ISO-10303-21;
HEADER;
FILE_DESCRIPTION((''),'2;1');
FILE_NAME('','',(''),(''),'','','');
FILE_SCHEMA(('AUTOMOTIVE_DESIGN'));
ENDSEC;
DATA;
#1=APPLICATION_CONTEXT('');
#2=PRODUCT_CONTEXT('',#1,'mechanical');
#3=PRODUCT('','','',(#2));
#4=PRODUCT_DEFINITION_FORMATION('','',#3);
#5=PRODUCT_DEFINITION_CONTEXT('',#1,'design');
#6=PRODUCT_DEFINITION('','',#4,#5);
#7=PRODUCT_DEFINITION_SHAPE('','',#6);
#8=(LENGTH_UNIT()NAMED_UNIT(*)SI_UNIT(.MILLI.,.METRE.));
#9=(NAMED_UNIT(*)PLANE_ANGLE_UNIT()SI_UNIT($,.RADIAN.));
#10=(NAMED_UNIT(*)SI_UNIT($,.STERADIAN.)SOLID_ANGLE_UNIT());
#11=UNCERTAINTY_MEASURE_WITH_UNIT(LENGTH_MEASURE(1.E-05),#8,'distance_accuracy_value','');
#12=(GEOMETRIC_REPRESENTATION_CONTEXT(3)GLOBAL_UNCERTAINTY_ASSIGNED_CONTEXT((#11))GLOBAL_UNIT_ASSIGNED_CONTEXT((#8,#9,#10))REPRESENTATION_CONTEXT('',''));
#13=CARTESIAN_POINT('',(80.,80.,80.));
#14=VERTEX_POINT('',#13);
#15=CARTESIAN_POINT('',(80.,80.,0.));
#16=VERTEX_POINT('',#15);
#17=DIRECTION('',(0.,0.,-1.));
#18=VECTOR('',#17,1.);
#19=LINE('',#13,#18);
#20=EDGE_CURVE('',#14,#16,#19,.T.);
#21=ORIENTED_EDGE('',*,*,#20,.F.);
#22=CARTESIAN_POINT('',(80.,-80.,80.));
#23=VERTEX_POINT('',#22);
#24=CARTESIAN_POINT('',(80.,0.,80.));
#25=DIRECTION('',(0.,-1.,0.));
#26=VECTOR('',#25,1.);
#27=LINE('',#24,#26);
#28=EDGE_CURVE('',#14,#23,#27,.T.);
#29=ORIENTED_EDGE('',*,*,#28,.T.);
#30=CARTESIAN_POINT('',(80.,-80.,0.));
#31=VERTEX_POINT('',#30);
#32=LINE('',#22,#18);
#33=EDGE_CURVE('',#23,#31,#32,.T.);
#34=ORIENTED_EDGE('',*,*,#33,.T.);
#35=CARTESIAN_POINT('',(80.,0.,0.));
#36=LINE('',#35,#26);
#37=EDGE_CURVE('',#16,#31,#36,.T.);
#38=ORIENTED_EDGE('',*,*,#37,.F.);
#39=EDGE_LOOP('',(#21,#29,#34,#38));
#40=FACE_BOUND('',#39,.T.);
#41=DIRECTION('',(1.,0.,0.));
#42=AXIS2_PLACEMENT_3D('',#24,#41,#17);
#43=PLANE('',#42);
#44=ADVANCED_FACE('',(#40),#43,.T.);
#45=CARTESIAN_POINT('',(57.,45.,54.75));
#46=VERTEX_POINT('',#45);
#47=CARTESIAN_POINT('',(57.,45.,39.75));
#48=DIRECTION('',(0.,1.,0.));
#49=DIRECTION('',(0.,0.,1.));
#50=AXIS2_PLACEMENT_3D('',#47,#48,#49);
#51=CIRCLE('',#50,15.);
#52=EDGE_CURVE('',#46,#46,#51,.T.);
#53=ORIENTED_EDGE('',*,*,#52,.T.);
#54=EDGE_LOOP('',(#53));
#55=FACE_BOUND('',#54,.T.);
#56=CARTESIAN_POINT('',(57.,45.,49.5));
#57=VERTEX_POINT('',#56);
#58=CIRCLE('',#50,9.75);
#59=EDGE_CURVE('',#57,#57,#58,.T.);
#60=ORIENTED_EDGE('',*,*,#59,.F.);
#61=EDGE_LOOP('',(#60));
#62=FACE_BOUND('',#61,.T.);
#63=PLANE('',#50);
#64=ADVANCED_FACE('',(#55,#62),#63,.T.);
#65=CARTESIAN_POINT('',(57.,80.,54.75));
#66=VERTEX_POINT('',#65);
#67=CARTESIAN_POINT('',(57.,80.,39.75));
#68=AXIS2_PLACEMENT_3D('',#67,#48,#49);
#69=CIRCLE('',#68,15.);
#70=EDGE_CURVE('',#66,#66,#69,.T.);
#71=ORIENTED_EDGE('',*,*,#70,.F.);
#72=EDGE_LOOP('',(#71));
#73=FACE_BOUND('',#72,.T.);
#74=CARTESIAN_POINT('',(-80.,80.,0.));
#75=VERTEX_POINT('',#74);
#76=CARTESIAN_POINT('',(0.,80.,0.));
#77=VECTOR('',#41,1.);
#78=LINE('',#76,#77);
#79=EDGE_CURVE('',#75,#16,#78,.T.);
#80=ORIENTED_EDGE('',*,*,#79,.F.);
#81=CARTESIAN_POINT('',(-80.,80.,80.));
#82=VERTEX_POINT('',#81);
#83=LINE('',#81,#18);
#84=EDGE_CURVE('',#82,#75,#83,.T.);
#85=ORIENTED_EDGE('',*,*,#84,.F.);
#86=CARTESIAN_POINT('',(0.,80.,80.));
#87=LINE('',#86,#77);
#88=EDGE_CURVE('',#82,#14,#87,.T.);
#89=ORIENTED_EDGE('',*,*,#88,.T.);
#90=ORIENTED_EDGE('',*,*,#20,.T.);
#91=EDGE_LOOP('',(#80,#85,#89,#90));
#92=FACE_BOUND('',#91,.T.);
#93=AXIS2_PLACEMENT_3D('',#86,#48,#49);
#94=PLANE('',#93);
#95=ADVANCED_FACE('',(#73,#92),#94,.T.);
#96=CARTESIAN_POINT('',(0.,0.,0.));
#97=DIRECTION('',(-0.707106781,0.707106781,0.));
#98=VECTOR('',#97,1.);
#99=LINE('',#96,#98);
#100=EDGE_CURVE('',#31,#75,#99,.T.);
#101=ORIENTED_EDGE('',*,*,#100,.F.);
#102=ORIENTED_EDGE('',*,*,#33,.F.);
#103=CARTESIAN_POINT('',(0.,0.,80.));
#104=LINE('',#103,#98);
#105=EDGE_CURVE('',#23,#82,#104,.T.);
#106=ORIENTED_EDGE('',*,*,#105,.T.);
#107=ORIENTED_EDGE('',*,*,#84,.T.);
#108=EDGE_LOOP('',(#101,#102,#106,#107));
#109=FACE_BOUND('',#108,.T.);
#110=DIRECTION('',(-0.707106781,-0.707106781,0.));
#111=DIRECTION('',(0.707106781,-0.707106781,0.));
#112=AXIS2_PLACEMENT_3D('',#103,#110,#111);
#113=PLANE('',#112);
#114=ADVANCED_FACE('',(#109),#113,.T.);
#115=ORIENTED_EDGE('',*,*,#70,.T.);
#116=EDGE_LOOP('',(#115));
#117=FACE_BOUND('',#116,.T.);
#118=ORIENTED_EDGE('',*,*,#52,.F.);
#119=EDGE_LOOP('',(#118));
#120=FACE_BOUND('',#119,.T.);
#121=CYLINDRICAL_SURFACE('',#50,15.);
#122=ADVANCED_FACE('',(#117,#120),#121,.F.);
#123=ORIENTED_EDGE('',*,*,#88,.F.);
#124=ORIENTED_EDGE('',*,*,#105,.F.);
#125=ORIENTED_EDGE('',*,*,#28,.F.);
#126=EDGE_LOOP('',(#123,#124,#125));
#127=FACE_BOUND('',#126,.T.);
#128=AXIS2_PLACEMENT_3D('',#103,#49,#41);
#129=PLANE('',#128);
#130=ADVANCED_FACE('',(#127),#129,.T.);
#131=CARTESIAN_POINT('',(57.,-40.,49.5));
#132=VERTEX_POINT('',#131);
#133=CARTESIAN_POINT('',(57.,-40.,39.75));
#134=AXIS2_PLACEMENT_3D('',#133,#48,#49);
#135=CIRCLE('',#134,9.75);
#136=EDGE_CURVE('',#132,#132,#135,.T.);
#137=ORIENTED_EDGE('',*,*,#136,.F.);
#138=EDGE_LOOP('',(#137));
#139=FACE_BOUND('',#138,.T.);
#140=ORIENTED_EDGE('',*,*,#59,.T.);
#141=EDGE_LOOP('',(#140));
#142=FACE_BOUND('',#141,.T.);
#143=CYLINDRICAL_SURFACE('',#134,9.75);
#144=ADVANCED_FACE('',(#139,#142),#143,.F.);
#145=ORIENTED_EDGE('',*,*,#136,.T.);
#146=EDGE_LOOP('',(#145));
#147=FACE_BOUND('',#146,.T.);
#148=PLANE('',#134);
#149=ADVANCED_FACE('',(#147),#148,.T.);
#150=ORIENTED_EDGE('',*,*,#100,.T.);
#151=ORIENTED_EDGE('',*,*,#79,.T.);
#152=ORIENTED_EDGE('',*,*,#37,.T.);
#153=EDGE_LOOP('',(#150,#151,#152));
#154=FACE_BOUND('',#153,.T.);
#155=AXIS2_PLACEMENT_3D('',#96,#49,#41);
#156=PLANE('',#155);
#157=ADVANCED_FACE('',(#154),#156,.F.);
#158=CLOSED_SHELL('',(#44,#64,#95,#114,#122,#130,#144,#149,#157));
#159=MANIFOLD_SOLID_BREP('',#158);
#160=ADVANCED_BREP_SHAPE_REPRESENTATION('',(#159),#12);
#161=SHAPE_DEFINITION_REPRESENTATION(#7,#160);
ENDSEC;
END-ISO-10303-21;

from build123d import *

# Parameters (mm, degrees)
BOSS_EXTRUDE1_DEPTH = 80
SKETCH2_R           = 15
CUT_EXTRUDE1_DEPTH  = 35
CUT_EXTRUDE2_START  = 35
SKETCH3_R           = 9.75
CUT_EXTRUDE2_DEPTH  = 120


with BuildPart() as part:
    # Sketch1 → Boss-Extrude1 (new body)
    with BuildSketch(Plane.XY):
        Polygon((80, 80), (80, -80), (-80, 80), align=None)
    extrude(amount=BOSS_EXTRUDE1_DEPTH)

    # Sketch2 → Cut-Extrude1 (cut)
    with BuildSketch(Plane(origin=(0, 80, 0), x_dir=(1, 0, 0), z_dir=(0, 1, 0))):
        with Locations(Location((57, -39.75, 0), (0, 0, 270))):
            Circle(SKETCH2_R)
    extrude(amount=-CUT_EXTRUDE1_DEPTH, mode=Mode.SUBTRACT)

    # Sketch3 → Cut-Extrude2 (cut)
    with BuildSketch(Plane(origin=(0, 45, 0), x_dir=(1, 0, 0), z_dir=(0, 1, 0)).offset(CUT_EXTRUDE2_START)):
        with Locations(Location((57, -39.75, 0), (0, 0, 270))):
            Circle(SKETCH3_R)
    extrude(amount=-CUT_EXTRUDE2_DEPTH, mode=Mode.SUBTRACT)


solid = part.part
